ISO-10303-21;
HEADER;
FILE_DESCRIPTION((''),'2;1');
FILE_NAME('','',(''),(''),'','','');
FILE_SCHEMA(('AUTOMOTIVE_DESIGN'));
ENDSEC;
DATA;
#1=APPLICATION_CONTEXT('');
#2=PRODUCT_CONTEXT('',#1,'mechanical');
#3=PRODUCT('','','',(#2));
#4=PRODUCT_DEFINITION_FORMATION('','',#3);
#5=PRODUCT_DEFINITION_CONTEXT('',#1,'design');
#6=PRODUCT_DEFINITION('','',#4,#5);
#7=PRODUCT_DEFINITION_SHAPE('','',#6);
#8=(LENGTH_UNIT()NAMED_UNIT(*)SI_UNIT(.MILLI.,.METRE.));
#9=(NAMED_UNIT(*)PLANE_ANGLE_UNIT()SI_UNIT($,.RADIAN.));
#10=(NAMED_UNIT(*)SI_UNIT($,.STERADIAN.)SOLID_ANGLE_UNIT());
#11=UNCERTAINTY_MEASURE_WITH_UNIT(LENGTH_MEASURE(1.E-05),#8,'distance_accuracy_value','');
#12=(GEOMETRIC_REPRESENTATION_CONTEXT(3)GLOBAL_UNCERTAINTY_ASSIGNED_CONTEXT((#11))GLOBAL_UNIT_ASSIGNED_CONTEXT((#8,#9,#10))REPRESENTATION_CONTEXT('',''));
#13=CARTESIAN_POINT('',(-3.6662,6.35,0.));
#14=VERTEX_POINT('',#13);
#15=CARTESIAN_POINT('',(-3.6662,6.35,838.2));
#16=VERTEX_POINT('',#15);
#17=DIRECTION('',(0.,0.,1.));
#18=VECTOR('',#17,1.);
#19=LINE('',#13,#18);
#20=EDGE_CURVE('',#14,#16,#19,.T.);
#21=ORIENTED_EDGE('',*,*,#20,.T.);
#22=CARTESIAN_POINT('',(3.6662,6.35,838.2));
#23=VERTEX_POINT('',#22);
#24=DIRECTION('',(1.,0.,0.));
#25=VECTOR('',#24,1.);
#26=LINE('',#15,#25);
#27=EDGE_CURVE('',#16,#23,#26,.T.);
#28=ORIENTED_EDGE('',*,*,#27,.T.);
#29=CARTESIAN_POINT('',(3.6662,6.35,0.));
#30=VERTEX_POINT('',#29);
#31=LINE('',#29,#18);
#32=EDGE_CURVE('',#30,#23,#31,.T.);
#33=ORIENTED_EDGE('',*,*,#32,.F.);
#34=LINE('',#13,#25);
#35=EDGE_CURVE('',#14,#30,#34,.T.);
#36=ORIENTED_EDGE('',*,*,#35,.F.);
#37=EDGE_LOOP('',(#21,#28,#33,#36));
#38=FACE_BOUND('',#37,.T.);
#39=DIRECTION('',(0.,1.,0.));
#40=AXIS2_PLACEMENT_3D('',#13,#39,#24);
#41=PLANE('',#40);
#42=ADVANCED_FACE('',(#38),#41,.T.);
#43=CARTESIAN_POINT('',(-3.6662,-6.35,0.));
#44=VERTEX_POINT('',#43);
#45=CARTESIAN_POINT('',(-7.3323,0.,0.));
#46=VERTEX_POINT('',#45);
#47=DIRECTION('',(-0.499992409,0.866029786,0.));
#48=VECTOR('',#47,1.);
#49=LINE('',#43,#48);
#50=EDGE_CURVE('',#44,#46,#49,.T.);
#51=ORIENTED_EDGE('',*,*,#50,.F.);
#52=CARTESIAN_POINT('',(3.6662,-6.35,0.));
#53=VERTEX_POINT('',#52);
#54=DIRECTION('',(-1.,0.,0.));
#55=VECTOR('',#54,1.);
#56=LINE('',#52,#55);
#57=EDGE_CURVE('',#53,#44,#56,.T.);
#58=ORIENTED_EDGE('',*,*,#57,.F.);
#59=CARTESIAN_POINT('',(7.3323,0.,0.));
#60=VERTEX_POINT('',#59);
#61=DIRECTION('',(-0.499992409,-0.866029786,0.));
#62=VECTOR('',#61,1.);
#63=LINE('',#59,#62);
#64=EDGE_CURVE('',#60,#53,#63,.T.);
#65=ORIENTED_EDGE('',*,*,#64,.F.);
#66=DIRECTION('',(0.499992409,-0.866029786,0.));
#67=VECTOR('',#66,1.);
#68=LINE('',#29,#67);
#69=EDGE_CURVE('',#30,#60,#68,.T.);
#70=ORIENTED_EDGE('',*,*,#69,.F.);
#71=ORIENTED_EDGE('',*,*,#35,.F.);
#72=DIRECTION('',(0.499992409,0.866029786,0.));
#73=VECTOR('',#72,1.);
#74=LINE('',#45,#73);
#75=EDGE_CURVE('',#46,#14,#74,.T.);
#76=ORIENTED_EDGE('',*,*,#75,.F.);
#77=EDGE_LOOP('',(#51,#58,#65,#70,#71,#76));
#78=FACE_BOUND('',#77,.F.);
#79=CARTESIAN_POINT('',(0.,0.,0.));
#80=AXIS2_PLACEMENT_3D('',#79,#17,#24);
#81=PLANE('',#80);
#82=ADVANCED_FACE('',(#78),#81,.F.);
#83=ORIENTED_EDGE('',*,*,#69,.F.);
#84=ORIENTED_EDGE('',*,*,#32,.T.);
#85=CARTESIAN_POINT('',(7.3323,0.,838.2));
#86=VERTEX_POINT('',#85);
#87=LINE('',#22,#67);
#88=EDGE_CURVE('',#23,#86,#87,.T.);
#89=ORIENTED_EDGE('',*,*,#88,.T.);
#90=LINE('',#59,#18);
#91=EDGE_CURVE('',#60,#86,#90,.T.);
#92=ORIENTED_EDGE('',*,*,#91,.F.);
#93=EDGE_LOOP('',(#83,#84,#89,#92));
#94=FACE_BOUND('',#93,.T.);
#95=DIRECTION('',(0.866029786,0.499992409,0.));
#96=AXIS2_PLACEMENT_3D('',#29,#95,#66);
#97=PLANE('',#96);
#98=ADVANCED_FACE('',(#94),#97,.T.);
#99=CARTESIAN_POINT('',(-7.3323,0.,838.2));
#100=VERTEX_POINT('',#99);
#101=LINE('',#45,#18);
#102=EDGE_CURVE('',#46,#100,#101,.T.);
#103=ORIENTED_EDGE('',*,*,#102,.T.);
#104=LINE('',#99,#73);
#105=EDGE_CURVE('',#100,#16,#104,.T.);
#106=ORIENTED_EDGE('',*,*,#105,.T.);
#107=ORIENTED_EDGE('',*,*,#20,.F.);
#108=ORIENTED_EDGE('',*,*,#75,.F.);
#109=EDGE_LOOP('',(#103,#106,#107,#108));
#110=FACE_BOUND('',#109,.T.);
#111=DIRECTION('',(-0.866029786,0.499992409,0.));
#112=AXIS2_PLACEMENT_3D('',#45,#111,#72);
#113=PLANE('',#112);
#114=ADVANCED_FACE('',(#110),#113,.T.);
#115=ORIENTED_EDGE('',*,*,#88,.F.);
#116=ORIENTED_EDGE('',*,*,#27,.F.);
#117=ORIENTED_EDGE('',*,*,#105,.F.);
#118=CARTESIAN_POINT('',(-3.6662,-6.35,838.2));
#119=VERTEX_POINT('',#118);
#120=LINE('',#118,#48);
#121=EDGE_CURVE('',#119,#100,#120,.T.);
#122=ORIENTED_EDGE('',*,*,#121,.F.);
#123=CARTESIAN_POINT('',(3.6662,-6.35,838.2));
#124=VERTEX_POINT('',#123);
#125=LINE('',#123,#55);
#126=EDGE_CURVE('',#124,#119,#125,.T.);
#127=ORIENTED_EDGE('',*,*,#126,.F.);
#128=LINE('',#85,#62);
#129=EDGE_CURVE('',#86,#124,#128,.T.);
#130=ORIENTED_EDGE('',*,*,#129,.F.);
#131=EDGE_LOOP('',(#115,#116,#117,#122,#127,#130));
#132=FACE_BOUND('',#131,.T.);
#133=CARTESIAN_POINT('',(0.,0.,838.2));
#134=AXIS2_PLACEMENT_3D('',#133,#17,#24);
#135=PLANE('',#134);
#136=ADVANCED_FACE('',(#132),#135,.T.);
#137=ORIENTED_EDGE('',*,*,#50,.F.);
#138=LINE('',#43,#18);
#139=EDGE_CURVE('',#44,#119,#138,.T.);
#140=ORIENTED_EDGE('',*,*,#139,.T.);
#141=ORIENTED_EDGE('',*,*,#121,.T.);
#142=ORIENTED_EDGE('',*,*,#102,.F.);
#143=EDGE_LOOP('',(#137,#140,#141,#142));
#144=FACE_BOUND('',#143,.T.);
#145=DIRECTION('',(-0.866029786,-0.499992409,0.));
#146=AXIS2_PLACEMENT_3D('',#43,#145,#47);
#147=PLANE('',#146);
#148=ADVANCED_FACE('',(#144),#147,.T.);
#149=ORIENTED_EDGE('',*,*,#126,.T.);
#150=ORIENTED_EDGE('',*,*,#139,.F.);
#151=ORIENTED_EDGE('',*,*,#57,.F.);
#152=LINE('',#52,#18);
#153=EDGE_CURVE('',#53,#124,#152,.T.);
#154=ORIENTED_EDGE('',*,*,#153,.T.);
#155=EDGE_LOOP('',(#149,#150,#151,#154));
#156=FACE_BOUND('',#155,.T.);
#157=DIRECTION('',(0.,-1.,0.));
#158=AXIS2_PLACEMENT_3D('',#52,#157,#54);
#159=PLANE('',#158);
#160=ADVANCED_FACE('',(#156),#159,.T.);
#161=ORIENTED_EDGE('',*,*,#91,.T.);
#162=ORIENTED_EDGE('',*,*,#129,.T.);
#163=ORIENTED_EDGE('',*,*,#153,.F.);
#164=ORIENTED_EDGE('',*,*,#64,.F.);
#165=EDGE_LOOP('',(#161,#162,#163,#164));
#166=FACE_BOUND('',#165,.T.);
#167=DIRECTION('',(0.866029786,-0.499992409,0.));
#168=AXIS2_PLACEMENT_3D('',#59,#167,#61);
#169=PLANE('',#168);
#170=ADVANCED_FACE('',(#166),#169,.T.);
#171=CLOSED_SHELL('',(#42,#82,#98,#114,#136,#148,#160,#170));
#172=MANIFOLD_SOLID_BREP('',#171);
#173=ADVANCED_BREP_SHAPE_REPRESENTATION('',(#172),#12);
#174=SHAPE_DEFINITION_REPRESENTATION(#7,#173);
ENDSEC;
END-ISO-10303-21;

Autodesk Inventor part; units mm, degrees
ref_plane "YZ Plane" through (0, 0, 0) normal (1, 0, 0) x (0, 1, 0)
ref_plane "XZ Plane" through (0, 0, 0) normal (0, 1, 0) x (-1, 0, 0)
ref_plane "XY Plane" through (0, 0, 0) normal (0, 0, 1) x (1, 0, 0)
sketch "Sketch1" plane through (0, 0, 0) normal (0, 0, 1) x (1, 0, 0)
  line L0 (3.6662, 6.35) -> (7.3323, 0)
  line L1 (7.3323, 0) -> (3.6662, -6.35)
  line L2 (3.6662, -6.35) -> (-3.6662, -6.35)
  line L3 (-3.6662, -6.35) -> (-7.3323, 0)
  line L4 (-7.3323, 0) -> (-3.6662, 6.35)
  line L5 (-3.6662, 6.35) -> (3.6662, 6.35)
  point P0 (0, 0)
  dimension "d0" = 12.7
  dimension "d1" = 12.7
extrude "Extrusion1" add sketch "Sketch1" along normal blind 838.2
properties part number "33 in hex shaft"
